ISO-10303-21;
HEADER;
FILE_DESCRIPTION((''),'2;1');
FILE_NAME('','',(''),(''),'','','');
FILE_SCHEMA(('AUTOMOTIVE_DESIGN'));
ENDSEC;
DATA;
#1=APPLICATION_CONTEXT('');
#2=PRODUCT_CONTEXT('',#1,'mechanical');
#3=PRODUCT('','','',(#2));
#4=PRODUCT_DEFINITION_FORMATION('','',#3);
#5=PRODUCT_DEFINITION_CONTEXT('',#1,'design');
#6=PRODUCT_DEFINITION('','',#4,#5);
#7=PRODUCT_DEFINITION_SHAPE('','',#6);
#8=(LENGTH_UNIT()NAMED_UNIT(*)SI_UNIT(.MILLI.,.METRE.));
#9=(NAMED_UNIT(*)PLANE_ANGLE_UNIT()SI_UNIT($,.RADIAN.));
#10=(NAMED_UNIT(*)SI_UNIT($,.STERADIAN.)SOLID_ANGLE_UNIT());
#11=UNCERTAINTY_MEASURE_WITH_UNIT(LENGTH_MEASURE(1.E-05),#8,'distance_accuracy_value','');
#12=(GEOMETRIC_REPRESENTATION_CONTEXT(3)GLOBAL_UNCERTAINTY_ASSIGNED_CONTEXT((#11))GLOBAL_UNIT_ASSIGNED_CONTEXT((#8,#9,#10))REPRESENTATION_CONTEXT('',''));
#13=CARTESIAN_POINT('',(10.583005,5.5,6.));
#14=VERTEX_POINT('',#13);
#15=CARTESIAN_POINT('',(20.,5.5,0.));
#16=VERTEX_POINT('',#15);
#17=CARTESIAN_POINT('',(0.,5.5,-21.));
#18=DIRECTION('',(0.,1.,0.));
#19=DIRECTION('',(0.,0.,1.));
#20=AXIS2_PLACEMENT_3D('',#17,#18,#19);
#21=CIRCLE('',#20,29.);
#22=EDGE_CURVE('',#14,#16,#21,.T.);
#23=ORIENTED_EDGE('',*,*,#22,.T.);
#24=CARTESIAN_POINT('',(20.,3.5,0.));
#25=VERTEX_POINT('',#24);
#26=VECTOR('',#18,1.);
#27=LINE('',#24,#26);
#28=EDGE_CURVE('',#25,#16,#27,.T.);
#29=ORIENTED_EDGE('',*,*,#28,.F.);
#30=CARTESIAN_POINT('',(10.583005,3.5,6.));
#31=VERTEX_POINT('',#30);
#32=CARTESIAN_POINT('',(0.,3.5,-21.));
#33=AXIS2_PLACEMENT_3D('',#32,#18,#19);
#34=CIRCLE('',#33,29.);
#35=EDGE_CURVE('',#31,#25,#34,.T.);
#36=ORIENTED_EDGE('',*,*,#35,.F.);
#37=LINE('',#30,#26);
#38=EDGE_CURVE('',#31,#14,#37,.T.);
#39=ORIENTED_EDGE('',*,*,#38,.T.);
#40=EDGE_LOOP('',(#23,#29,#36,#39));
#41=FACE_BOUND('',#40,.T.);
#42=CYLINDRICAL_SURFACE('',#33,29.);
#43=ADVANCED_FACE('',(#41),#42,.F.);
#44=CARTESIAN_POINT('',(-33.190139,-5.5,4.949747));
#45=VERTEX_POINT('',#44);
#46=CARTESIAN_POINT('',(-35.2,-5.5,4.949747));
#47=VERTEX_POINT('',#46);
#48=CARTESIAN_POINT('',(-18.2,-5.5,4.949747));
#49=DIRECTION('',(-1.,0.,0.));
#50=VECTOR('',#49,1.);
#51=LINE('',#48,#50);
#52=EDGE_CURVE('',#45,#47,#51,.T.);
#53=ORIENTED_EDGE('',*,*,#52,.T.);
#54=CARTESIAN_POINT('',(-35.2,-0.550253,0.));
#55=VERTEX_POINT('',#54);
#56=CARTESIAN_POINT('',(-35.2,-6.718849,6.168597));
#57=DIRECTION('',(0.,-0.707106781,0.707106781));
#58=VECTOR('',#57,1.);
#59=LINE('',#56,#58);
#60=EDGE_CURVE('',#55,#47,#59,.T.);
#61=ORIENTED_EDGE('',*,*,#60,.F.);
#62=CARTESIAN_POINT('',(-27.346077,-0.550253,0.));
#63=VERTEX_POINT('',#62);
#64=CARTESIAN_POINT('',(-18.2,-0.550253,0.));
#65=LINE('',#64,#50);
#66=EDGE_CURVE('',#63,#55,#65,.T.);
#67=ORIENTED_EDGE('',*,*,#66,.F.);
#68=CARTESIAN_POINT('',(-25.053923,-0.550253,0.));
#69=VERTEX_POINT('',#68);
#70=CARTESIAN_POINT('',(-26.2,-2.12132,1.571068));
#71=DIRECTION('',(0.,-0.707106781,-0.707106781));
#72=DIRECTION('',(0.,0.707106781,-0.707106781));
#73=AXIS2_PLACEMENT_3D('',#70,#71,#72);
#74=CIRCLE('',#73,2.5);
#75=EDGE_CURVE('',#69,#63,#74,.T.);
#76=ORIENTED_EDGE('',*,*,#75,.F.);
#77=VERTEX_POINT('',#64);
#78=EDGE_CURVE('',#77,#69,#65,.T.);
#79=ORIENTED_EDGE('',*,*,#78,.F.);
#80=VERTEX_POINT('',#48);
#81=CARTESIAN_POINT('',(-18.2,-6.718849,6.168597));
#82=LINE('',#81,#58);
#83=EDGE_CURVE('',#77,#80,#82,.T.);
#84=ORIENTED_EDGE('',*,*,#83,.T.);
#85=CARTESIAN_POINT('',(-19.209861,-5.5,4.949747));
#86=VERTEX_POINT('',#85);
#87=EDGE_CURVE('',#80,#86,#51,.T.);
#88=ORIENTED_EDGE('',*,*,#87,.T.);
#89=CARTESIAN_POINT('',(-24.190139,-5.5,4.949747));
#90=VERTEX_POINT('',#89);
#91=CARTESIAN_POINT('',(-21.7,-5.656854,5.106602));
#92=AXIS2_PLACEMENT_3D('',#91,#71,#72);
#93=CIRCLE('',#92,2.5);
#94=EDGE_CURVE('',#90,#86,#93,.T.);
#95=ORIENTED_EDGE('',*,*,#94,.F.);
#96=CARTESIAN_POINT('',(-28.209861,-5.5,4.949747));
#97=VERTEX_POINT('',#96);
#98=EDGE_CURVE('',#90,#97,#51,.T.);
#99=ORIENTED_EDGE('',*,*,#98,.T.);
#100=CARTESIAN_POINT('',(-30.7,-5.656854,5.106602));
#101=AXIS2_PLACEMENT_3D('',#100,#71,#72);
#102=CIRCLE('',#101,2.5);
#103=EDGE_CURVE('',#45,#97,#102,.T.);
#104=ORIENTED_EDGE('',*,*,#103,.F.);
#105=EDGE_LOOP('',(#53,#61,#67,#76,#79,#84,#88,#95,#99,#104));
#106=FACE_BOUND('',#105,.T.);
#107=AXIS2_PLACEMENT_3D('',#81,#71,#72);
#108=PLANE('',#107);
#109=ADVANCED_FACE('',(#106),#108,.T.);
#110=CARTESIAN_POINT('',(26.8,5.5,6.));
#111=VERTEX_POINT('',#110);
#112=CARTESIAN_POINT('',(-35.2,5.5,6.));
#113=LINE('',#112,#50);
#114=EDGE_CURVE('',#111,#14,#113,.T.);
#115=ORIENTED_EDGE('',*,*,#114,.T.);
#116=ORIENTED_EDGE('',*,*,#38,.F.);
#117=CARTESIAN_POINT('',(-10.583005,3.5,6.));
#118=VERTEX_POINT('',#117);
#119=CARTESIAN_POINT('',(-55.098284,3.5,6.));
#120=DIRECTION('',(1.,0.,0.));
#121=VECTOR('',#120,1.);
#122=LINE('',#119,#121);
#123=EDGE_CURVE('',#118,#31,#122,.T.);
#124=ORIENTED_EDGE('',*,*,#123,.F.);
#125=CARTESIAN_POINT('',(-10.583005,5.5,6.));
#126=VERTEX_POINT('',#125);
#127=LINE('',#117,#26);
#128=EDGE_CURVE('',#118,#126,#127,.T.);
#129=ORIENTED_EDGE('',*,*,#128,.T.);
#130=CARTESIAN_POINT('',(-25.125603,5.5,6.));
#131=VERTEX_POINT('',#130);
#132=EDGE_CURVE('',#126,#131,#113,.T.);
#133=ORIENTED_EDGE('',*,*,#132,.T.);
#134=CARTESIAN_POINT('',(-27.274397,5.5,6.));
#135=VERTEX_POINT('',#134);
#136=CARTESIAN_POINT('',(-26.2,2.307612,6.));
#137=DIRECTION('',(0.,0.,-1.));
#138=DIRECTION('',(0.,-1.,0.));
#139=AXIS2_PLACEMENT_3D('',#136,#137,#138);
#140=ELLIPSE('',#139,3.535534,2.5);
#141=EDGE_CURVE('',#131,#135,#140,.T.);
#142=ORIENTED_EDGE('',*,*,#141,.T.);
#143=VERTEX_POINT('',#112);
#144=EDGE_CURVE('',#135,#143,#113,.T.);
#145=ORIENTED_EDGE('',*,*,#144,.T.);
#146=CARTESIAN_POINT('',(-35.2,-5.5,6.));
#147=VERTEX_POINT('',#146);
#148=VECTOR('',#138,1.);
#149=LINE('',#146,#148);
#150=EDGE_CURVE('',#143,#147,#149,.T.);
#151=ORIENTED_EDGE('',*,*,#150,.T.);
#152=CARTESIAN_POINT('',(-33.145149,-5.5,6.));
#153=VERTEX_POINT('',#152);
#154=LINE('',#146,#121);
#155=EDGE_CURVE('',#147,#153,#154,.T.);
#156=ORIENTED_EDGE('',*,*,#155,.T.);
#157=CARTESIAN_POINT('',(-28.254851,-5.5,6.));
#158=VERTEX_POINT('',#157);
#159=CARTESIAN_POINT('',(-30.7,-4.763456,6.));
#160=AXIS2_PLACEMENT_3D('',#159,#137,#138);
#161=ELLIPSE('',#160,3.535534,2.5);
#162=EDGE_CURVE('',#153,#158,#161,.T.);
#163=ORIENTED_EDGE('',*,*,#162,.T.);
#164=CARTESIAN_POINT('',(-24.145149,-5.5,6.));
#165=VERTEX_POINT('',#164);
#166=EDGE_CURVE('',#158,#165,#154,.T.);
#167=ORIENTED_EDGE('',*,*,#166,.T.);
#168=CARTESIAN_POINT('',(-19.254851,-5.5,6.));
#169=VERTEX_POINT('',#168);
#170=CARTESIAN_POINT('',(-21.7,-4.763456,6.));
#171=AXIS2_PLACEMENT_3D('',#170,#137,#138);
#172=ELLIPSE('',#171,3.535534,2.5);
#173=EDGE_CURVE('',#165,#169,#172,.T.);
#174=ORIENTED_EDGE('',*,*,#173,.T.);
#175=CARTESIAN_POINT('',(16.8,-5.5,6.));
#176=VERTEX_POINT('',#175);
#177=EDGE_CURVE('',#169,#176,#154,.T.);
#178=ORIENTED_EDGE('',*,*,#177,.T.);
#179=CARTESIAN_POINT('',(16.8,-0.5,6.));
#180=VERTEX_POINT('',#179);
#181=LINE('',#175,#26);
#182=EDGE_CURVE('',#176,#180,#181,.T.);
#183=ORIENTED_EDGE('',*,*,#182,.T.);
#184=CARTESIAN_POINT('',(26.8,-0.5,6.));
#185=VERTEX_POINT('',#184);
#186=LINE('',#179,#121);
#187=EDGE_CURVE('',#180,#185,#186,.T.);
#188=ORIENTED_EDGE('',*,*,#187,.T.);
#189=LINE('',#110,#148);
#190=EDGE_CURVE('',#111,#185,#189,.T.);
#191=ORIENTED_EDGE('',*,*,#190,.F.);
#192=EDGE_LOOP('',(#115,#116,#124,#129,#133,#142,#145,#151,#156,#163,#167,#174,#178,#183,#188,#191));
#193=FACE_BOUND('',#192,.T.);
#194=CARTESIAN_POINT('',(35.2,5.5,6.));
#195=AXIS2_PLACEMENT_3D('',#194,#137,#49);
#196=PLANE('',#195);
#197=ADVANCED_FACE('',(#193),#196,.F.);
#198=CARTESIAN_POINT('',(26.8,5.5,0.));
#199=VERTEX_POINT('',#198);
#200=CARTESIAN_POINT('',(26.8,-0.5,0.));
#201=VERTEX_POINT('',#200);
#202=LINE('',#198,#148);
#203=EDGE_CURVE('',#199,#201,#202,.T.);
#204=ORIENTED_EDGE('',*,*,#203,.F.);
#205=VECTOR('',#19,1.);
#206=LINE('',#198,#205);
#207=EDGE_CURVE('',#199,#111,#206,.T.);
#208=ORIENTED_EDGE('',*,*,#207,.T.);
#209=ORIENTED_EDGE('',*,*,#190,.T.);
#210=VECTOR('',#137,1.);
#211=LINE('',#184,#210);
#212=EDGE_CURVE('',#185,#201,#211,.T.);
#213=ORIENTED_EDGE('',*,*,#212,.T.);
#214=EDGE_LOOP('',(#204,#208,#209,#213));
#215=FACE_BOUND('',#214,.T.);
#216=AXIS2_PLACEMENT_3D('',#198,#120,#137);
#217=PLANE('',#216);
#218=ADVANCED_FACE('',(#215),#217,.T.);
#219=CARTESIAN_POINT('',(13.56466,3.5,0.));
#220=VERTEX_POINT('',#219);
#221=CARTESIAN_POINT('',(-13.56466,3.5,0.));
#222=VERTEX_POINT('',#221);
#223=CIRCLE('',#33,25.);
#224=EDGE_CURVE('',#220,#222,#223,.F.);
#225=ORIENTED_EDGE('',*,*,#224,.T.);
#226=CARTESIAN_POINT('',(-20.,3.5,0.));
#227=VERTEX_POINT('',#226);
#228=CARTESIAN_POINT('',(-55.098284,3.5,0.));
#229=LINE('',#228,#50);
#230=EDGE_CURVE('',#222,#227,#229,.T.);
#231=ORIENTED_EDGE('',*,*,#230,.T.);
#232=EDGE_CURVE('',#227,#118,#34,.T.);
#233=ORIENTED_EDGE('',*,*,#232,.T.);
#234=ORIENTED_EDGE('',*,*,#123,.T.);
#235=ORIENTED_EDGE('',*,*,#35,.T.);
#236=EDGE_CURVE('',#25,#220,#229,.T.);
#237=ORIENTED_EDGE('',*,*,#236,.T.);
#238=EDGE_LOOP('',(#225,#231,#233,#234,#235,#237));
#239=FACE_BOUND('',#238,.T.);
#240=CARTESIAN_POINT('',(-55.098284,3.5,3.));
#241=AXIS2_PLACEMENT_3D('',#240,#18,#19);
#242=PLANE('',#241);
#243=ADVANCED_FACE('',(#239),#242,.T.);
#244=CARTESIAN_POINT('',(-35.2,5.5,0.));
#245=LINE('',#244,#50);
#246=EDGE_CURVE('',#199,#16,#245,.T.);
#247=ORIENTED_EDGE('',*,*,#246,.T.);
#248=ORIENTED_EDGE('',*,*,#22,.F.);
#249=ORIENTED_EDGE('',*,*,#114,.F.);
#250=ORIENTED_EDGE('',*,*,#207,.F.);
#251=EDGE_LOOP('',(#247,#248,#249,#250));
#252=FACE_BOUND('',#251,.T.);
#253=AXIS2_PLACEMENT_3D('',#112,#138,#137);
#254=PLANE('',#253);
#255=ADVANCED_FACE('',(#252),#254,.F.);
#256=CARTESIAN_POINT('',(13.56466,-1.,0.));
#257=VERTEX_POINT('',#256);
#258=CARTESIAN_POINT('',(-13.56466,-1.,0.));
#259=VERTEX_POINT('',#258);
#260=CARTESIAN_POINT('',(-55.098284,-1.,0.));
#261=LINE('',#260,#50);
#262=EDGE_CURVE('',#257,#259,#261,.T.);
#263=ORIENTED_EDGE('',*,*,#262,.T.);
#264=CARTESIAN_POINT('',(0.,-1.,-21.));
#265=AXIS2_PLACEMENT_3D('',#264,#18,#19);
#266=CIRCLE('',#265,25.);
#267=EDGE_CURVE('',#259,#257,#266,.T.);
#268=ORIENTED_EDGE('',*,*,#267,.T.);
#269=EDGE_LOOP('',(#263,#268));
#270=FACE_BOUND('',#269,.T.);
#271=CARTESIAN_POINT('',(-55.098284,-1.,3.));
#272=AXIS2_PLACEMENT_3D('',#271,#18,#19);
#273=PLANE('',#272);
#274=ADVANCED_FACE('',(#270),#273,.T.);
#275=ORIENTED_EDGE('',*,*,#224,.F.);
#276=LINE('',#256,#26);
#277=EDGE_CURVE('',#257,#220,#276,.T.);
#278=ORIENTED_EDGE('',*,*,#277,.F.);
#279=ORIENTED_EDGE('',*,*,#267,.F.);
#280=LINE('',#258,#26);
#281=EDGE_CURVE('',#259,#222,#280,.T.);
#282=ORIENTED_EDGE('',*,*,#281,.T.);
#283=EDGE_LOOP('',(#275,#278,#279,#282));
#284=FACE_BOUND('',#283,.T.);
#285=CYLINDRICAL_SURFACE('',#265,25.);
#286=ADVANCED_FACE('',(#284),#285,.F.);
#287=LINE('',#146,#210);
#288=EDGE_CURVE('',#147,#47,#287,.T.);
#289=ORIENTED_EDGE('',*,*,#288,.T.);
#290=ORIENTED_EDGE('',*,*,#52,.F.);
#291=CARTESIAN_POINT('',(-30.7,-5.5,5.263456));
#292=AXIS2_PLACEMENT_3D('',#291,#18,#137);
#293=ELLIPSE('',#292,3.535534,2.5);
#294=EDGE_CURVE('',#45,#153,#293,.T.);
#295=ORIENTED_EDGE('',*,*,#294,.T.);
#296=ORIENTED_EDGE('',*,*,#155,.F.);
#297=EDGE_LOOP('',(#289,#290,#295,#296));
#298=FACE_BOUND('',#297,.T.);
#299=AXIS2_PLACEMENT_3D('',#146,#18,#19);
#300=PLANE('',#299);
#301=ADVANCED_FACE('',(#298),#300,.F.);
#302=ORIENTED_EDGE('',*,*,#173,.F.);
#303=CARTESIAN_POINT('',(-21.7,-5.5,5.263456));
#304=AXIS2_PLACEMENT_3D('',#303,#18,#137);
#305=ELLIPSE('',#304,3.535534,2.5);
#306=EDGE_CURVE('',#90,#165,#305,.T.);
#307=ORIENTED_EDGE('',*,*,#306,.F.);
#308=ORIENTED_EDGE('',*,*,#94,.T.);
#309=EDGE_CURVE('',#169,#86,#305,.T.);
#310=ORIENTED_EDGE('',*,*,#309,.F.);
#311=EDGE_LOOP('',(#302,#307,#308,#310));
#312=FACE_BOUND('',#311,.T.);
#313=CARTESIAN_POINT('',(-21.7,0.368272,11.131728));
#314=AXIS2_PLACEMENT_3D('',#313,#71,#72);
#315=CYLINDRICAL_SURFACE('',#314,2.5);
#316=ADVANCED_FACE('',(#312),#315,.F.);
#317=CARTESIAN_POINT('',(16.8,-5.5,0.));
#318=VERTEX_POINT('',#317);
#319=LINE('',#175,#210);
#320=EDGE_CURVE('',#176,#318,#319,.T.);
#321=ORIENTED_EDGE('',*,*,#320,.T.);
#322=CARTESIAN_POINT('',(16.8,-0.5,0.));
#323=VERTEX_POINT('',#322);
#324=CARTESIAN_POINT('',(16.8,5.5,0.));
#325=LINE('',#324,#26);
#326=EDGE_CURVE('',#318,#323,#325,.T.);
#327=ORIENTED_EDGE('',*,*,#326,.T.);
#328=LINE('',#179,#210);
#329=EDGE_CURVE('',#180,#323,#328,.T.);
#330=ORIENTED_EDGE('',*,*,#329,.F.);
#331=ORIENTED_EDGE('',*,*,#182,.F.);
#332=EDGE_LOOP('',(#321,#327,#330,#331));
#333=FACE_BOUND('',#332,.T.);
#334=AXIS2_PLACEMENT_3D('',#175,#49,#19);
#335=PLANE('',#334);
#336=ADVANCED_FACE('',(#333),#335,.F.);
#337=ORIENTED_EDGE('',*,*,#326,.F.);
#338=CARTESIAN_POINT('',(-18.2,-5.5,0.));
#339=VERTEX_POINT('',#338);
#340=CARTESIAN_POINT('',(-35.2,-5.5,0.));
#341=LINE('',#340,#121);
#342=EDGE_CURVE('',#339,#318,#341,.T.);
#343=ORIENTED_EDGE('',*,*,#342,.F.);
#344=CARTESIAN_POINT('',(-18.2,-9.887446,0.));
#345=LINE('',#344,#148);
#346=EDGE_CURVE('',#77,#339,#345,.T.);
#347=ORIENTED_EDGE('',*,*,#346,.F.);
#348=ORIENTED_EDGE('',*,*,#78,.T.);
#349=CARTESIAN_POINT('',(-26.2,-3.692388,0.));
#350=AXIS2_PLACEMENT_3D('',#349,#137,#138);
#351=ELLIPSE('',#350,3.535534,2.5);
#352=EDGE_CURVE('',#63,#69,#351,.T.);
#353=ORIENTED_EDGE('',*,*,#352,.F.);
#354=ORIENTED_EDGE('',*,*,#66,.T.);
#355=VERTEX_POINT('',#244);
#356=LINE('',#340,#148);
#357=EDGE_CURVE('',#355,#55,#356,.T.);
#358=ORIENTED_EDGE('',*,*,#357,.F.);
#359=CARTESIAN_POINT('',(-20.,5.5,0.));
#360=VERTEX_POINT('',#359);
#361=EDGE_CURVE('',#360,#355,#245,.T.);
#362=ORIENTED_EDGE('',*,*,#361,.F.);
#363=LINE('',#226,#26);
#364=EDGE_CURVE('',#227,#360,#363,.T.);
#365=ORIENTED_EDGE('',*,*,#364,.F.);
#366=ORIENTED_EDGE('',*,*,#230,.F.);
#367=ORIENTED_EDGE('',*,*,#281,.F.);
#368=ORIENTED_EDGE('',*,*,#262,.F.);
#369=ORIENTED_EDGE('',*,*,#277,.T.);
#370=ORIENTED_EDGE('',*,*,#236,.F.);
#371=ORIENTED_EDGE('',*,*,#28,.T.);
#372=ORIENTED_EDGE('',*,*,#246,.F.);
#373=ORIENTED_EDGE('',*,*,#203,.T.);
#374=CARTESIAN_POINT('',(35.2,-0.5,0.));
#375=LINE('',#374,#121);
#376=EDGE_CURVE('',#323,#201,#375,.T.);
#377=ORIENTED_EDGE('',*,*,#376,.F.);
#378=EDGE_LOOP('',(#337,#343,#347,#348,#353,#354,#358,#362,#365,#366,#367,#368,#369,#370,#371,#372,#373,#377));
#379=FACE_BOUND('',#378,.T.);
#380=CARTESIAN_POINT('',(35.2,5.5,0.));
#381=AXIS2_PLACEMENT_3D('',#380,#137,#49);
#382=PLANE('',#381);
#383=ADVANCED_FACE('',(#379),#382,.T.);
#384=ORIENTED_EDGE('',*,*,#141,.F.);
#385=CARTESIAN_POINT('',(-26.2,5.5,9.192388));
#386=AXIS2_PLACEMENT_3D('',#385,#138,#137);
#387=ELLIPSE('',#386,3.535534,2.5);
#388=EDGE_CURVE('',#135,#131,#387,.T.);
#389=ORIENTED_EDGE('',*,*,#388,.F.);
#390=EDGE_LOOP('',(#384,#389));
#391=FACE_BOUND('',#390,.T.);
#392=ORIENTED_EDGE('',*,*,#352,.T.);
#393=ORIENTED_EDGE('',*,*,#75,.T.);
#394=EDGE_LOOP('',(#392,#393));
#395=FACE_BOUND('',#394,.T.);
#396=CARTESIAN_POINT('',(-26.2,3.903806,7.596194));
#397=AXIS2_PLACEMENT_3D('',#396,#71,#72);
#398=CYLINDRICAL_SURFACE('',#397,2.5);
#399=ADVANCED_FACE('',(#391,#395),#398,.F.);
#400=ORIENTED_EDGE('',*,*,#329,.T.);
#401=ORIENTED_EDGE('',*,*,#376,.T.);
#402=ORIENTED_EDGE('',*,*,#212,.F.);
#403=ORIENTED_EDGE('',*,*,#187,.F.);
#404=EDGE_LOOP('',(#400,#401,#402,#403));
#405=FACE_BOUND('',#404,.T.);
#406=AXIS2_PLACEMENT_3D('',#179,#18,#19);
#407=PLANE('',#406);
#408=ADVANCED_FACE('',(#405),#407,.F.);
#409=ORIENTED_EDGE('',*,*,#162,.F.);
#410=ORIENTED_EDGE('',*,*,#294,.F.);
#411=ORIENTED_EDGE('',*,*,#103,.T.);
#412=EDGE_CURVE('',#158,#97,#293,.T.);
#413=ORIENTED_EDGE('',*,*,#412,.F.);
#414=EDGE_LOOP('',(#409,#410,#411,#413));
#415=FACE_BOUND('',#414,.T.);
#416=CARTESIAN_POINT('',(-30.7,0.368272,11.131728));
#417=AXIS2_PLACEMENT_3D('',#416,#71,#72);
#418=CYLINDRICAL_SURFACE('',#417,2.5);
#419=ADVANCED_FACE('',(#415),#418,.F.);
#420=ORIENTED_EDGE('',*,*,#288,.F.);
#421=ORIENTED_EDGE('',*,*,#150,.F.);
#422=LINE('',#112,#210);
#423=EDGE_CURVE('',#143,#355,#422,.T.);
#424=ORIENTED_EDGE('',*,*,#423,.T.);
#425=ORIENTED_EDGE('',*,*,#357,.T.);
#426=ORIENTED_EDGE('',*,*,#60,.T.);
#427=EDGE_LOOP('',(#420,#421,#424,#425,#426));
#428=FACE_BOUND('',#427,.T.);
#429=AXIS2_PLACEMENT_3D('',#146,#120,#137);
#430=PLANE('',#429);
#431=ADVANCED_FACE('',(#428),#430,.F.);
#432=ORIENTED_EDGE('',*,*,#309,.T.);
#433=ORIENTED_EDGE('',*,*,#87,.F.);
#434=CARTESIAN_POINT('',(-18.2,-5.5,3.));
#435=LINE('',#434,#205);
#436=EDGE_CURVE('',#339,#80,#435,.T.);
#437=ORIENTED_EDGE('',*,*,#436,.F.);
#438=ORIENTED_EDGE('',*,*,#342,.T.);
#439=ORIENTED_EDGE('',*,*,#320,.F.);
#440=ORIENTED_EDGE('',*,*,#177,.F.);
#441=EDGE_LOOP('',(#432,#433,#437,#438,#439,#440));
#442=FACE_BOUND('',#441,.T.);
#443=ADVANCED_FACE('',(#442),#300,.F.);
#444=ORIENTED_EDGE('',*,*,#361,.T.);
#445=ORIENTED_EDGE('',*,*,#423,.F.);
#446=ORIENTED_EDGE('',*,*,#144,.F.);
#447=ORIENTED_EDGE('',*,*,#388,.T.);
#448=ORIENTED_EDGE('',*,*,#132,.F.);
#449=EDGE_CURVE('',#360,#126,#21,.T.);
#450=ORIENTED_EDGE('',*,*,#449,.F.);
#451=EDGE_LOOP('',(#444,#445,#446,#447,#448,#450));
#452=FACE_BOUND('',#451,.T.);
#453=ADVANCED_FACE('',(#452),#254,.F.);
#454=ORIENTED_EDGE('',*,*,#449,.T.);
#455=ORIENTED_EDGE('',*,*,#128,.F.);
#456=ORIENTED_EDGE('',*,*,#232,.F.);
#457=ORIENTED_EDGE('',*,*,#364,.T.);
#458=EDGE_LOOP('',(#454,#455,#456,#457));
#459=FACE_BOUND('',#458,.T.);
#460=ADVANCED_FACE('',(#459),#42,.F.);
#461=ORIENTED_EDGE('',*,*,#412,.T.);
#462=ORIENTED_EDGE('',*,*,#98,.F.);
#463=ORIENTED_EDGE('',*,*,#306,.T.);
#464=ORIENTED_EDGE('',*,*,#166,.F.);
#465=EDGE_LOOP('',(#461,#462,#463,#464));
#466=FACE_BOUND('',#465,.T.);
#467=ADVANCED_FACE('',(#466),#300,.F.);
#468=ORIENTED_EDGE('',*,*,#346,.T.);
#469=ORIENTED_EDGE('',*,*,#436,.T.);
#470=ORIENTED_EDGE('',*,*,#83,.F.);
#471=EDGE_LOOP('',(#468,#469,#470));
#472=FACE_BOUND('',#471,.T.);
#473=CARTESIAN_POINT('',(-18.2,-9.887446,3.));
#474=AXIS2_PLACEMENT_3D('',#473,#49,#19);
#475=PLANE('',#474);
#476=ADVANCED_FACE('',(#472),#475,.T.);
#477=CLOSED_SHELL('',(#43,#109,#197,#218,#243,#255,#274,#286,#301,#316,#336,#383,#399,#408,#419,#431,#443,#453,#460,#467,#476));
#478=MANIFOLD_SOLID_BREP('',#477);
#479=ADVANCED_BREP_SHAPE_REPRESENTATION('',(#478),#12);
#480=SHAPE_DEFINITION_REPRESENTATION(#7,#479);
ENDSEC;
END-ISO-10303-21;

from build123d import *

# Parameters (mm, degrees)
SKETCH_1_W          = 70.4
SKETCH_1_H          = 11
EXTRUDE_1_DEPTH     = 6
CUT_EXTRUDE_1_DEPTH = 6.5
CUT_EXTRUDE_3_DEPTH = 17
CUT_EXTRUDE_4_DEPTH = 2
CUT_EXTRUDE_5_DEPTH = 12
CUT_EXTRUDE_6_DEPTH = 7
SKETCH_11_R         = 2.5
CUT_EXTRUDE_7_DEPTH = 9.52081528


with BuildPart() as part:
    # Эскиз1 → Бобышка-Вытянуть1 (new body)
    with BuildSketch(Plane.XY):
        Rectangle(SKETCH_1_W, SKETCH_1_H)
    extrude(amount=EXTRUDE_1_DEPTH)

    # Эскиз3 → Вырез-Вытянуть1 (cut)
    with BuildSketch(Plane(origin=(0, 5.5, 0), x_dir=(1, 0, 0), z_dir=(0, 1, 0))):
        with BuildLine():
            Line((13.564659966, 0), (-13.564659966, 0))
            ThreePointArc((-13.564659966, 0), (0, -4), (13.564659966, 0))
        make_face()
    extrude(amount=-CUT_EXTRUDE_1_DEPTH, mode=Mode.SUBTRACT)

    # Эскиз6 → Вырез-Вытянуть3 (cut)
    with BuildSketch(Plane.ZY.offset(35.2)):
        Polygon((4.949747468, -5.5), (0, -0.550252532), (0, -5.5), align=None)
    extrude(amount=-CUT_EXTRUDE_3_DEPTH, mode=Mode.SUBTRACT)

    # Эскиз7 → Вырез-Вытянуть4 (cut)
    with BuildSketch(Plane(origin=(0, 5.5, 0), x_dir=(1, 0, 0), z_dir=(0, 1, 0))):
        with BuildLine():
            Line((-13.564659966, 0), (-20, 0))
            ThreePointArc((-20, 0), (-15.583005244, -3.457513111), (-10.583005244, -6))
            Line((-10.583005244, -6), (10.583005244, -6))
            ThreePointArc((10.583005244, -6), (15.583005244, -3.457513111), (20, 0))
            Line((20, 0), (13.564659966, 0))
            ThreePointArc((13.564659966, 0), (0, -4), (-13.564659966, 0))
        make_face()
    extrude(amount=-CUT_EXTRUDE_4_DEPTH, mode=Mode.SUBTRACT)

    # Эскиз9 → Вырез-Вытянуть5 (cut, through all)
    with BuildSketch(Plane(origin=(0, 5.5, 0), x_dir=(1, 0, 0), z_dir=(0, 1, 0))):
        Polygon((26.8, 134.579292019), (26.8, 0), (26.8, -6), (26.8, -140.579292019), (295.958584038, -140.579292019), (295.958584038, 134.579292019), align=None)
    extrude(amount=-CUT_EXTRUDE_5_DEPTH, mode=Mode.SUBTRACT)

    # Эскиз10 → Вырез-Вытянуть6 (cut, through all)
    with BuildSketch(Plane.XY.offset(6)):
        Polygon((16.8, -140.079292019), (16.8, -5.5), (16.8, -0.5), (26.8, -0.5), (161.379292019, -0.5), (348.325311663, -194.142787371), (203.746019644, -333.72207939), align=None)
    extrude(amount=-CUT_EXTRUDE_6_DEPTH, mode=Mode.SUBTRACT)

    # Эскиз11 → Вырез-Вытянуть7 (cut, through all)
    with BuildSketch(Plane(origin=(0, -0.275126266, -0.275126266), x_dir=(1, 0, 0), z_dir=(0, -0.707106781, -0.707106781))):
        with Locations((-26.2, 2.610912703)):
            Circle(SKETCH_11_R)
        with Locations((-30.7, 7.610912703)):
            Circle(SKETCH_11_R)
        with Locations((-21.7, 7.610912703)):
            Circle(SKETCH_11_R)
    extrude(amount=-CUT_EXTRUDE_7_DEPTH, mode=Mode.SUBTRACT)


solid = part.part
